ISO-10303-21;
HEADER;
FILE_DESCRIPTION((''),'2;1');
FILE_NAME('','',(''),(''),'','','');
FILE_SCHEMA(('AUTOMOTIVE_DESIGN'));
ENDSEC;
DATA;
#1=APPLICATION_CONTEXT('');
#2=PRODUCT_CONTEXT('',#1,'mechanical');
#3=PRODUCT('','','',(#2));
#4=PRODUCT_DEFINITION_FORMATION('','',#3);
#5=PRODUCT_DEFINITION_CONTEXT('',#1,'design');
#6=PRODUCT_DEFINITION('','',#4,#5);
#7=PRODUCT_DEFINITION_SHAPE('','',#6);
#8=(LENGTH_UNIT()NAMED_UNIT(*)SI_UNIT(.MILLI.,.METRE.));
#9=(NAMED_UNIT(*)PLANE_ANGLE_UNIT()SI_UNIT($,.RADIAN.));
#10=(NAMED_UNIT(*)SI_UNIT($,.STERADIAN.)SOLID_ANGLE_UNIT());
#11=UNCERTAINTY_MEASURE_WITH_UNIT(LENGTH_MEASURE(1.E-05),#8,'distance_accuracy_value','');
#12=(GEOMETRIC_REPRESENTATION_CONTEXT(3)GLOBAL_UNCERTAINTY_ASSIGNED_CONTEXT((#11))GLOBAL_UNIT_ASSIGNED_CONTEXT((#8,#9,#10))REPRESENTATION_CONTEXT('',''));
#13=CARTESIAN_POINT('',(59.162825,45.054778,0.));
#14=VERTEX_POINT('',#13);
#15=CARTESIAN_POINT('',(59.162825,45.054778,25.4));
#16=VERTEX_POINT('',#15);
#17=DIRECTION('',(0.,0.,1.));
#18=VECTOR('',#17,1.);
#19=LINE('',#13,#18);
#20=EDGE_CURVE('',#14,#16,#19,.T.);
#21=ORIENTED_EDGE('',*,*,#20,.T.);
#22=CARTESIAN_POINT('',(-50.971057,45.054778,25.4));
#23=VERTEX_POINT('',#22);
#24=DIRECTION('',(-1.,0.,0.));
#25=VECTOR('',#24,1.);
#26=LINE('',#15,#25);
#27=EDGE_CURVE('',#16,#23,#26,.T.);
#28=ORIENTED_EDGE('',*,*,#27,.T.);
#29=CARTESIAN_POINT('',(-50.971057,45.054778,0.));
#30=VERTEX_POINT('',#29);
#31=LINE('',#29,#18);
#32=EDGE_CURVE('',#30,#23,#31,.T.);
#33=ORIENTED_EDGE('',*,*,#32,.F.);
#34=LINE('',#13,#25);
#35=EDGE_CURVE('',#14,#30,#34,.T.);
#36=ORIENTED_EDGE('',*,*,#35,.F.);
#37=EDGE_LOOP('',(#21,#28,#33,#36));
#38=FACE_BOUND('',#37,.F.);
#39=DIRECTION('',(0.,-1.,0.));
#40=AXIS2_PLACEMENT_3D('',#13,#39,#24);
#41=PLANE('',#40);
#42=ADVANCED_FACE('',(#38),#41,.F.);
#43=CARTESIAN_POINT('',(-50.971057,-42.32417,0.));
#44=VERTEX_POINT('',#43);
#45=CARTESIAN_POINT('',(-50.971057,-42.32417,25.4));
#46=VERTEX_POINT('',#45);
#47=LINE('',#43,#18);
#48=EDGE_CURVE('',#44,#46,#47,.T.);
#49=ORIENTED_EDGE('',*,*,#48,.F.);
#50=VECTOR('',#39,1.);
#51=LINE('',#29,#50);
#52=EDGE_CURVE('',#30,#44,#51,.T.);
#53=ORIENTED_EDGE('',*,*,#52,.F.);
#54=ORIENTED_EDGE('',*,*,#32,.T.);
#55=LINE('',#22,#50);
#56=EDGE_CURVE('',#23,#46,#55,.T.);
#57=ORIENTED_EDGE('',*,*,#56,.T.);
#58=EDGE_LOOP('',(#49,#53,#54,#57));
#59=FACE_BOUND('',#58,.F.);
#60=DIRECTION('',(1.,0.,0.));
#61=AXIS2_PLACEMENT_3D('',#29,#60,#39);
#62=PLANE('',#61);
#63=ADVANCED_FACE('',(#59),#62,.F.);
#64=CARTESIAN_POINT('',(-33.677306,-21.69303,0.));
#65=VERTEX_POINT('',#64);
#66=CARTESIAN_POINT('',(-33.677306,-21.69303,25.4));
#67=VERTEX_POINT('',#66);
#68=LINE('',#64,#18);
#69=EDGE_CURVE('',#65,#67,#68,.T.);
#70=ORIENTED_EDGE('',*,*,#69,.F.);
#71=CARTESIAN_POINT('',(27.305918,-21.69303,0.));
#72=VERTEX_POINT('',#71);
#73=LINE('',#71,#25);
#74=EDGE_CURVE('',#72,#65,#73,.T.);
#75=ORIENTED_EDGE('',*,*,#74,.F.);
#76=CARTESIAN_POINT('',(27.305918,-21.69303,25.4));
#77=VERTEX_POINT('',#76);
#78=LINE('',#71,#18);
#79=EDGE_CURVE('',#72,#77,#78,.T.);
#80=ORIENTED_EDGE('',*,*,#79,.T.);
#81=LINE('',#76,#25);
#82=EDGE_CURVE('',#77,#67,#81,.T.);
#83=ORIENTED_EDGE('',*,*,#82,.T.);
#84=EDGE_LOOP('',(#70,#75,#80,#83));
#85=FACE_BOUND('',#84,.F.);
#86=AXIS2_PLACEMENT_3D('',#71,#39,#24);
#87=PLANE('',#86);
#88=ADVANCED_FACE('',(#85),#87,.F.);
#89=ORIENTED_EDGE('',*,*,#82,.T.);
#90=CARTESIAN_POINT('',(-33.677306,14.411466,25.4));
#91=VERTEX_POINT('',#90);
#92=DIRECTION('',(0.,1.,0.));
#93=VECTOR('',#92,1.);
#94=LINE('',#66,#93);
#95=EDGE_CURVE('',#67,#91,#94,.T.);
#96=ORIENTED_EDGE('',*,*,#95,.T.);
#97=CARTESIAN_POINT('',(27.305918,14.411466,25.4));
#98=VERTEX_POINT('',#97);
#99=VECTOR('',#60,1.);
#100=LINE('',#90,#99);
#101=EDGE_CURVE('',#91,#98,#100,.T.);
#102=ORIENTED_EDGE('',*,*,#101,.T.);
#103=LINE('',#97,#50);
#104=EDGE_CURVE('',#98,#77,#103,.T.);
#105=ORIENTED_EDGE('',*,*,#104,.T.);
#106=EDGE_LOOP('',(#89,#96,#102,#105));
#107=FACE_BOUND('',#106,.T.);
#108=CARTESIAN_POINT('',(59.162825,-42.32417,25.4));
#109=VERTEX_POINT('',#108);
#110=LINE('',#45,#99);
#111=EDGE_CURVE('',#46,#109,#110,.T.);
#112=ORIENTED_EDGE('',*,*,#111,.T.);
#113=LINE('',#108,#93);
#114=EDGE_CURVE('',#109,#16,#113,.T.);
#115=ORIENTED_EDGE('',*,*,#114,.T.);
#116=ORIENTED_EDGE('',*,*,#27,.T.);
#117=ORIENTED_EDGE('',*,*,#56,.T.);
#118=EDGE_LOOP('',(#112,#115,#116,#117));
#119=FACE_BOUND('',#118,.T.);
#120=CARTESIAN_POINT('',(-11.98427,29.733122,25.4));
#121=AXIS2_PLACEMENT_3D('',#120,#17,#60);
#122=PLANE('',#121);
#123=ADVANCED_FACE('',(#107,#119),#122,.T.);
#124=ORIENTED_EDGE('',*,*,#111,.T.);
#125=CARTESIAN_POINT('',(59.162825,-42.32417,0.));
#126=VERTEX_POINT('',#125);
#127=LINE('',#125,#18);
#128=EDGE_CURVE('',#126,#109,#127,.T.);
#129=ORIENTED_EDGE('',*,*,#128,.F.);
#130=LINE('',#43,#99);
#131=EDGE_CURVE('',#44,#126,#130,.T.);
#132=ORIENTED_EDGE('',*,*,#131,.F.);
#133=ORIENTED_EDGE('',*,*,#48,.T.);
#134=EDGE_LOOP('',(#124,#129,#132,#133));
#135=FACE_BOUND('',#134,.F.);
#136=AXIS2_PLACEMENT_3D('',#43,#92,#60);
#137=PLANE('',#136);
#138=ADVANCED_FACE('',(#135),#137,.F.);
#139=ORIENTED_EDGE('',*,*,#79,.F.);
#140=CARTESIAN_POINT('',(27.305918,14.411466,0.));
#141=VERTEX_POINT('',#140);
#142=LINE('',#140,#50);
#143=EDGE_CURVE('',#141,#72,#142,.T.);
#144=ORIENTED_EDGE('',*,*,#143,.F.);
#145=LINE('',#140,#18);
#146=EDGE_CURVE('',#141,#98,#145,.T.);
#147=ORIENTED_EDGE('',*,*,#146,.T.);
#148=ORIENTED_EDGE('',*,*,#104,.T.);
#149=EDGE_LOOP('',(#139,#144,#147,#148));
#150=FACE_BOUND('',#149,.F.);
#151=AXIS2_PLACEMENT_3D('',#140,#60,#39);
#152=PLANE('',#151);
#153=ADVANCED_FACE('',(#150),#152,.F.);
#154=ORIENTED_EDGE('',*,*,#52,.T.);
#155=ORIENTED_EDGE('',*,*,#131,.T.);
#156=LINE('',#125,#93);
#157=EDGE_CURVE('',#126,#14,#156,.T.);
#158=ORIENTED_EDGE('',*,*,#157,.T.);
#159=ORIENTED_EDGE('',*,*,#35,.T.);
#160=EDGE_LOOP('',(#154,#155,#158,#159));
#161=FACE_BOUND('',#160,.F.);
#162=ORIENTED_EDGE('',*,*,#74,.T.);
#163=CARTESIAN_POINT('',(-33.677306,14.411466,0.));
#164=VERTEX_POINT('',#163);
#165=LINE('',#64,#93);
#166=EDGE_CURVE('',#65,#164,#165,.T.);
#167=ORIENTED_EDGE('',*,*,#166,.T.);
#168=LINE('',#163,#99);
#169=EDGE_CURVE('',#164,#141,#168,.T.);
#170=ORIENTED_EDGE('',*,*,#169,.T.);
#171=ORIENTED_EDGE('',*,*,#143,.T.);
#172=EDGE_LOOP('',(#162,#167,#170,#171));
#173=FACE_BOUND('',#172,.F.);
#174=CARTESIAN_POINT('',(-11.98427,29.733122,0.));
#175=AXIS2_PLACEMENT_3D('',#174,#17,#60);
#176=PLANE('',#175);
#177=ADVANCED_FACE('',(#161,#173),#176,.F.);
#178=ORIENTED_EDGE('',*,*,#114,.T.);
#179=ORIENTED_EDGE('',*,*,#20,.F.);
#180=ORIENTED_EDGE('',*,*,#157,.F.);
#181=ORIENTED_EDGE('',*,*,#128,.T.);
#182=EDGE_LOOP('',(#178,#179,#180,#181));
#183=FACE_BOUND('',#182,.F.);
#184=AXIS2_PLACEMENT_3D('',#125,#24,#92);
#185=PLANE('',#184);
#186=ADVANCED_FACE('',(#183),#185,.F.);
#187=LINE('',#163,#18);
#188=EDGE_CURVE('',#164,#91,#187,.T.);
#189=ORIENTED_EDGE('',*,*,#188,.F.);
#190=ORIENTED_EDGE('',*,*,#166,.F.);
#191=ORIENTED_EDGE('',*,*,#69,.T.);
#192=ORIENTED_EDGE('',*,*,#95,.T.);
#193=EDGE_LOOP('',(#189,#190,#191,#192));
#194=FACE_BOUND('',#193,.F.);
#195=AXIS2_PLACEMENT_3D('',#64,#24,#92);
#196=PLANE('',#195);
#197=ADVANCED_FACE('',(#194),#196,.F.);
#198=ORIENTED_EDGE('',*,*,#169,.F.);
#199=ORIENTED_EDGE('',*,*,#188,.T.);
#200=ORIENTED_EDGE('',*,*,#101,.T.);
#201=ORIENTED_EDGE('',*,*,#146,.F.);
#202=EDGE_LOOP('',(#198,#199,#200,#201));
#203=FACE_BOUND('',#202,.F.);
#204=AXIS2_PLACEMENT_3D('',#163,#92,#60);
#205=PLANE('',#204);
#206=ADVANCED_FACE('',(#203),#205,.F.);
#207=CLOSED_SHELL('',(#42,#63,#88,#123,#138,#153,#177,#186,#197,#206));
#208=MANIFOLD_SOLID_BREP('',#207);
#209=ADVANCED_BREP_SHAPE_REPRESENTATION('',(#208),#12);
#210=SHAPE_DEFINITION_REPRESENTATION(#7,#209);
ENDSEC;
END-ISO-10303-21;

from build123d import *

# Parameters (mm, degrees)
F1_DEPTH = 25.4
F2_DEPTH = 25.4


with BuildPart() as f1:
    # F0 (on Top) → F1 (new body)
    with BuildSketch(Plane.XY):
        Polygon((27.002517, 45.054778), (-50.971057, 45.054778), (-50.971057, 14.411466), (-33.677306, 14.411466), (27.002517, 14.411466), align=None)
        Polygon((59.162825, 45.054778), (27.002517, 45.054778), (27.002517, 14.411466), (27.305918, 14.411466), (27.305918, -21.69303), (23.968525, -21.69303), (0, -21.69303), (-33.677306, -21.69303), (-33.677306, 14.411466), (-50.971057, 14.411466), (-50.971057, -42.32417), (59.162825, -42.32417), align=None)
    extrude(amount=F1_DEPTH)

    # F0 (on Top) → F2 (join)
    with BuildSketch(Plane.XY):
        Polygon((27.002517, 45.054778), (-50.971057, 45.054778), (-50.971057, 14.411466), (-33.677306, 14.411466), (27.002517, 14.411466), align=None)
        Polygon((59.162825, 45.054778), (27.002517, 45.054778), (27.002517, 14.411466), (27.305918, 14.411466), (27.305918, -21.69303), (23.968525, -21.69303), (0, -21.69303), (-33.677306, -21.69303), (-33.677306, 14.411466), (-50.971057, 14.411466), (-50.971057, -42.32417), (59.162825, -42.32417), align=None)
    extrude(amount=F2_DEPTH)


solid = f1.part
